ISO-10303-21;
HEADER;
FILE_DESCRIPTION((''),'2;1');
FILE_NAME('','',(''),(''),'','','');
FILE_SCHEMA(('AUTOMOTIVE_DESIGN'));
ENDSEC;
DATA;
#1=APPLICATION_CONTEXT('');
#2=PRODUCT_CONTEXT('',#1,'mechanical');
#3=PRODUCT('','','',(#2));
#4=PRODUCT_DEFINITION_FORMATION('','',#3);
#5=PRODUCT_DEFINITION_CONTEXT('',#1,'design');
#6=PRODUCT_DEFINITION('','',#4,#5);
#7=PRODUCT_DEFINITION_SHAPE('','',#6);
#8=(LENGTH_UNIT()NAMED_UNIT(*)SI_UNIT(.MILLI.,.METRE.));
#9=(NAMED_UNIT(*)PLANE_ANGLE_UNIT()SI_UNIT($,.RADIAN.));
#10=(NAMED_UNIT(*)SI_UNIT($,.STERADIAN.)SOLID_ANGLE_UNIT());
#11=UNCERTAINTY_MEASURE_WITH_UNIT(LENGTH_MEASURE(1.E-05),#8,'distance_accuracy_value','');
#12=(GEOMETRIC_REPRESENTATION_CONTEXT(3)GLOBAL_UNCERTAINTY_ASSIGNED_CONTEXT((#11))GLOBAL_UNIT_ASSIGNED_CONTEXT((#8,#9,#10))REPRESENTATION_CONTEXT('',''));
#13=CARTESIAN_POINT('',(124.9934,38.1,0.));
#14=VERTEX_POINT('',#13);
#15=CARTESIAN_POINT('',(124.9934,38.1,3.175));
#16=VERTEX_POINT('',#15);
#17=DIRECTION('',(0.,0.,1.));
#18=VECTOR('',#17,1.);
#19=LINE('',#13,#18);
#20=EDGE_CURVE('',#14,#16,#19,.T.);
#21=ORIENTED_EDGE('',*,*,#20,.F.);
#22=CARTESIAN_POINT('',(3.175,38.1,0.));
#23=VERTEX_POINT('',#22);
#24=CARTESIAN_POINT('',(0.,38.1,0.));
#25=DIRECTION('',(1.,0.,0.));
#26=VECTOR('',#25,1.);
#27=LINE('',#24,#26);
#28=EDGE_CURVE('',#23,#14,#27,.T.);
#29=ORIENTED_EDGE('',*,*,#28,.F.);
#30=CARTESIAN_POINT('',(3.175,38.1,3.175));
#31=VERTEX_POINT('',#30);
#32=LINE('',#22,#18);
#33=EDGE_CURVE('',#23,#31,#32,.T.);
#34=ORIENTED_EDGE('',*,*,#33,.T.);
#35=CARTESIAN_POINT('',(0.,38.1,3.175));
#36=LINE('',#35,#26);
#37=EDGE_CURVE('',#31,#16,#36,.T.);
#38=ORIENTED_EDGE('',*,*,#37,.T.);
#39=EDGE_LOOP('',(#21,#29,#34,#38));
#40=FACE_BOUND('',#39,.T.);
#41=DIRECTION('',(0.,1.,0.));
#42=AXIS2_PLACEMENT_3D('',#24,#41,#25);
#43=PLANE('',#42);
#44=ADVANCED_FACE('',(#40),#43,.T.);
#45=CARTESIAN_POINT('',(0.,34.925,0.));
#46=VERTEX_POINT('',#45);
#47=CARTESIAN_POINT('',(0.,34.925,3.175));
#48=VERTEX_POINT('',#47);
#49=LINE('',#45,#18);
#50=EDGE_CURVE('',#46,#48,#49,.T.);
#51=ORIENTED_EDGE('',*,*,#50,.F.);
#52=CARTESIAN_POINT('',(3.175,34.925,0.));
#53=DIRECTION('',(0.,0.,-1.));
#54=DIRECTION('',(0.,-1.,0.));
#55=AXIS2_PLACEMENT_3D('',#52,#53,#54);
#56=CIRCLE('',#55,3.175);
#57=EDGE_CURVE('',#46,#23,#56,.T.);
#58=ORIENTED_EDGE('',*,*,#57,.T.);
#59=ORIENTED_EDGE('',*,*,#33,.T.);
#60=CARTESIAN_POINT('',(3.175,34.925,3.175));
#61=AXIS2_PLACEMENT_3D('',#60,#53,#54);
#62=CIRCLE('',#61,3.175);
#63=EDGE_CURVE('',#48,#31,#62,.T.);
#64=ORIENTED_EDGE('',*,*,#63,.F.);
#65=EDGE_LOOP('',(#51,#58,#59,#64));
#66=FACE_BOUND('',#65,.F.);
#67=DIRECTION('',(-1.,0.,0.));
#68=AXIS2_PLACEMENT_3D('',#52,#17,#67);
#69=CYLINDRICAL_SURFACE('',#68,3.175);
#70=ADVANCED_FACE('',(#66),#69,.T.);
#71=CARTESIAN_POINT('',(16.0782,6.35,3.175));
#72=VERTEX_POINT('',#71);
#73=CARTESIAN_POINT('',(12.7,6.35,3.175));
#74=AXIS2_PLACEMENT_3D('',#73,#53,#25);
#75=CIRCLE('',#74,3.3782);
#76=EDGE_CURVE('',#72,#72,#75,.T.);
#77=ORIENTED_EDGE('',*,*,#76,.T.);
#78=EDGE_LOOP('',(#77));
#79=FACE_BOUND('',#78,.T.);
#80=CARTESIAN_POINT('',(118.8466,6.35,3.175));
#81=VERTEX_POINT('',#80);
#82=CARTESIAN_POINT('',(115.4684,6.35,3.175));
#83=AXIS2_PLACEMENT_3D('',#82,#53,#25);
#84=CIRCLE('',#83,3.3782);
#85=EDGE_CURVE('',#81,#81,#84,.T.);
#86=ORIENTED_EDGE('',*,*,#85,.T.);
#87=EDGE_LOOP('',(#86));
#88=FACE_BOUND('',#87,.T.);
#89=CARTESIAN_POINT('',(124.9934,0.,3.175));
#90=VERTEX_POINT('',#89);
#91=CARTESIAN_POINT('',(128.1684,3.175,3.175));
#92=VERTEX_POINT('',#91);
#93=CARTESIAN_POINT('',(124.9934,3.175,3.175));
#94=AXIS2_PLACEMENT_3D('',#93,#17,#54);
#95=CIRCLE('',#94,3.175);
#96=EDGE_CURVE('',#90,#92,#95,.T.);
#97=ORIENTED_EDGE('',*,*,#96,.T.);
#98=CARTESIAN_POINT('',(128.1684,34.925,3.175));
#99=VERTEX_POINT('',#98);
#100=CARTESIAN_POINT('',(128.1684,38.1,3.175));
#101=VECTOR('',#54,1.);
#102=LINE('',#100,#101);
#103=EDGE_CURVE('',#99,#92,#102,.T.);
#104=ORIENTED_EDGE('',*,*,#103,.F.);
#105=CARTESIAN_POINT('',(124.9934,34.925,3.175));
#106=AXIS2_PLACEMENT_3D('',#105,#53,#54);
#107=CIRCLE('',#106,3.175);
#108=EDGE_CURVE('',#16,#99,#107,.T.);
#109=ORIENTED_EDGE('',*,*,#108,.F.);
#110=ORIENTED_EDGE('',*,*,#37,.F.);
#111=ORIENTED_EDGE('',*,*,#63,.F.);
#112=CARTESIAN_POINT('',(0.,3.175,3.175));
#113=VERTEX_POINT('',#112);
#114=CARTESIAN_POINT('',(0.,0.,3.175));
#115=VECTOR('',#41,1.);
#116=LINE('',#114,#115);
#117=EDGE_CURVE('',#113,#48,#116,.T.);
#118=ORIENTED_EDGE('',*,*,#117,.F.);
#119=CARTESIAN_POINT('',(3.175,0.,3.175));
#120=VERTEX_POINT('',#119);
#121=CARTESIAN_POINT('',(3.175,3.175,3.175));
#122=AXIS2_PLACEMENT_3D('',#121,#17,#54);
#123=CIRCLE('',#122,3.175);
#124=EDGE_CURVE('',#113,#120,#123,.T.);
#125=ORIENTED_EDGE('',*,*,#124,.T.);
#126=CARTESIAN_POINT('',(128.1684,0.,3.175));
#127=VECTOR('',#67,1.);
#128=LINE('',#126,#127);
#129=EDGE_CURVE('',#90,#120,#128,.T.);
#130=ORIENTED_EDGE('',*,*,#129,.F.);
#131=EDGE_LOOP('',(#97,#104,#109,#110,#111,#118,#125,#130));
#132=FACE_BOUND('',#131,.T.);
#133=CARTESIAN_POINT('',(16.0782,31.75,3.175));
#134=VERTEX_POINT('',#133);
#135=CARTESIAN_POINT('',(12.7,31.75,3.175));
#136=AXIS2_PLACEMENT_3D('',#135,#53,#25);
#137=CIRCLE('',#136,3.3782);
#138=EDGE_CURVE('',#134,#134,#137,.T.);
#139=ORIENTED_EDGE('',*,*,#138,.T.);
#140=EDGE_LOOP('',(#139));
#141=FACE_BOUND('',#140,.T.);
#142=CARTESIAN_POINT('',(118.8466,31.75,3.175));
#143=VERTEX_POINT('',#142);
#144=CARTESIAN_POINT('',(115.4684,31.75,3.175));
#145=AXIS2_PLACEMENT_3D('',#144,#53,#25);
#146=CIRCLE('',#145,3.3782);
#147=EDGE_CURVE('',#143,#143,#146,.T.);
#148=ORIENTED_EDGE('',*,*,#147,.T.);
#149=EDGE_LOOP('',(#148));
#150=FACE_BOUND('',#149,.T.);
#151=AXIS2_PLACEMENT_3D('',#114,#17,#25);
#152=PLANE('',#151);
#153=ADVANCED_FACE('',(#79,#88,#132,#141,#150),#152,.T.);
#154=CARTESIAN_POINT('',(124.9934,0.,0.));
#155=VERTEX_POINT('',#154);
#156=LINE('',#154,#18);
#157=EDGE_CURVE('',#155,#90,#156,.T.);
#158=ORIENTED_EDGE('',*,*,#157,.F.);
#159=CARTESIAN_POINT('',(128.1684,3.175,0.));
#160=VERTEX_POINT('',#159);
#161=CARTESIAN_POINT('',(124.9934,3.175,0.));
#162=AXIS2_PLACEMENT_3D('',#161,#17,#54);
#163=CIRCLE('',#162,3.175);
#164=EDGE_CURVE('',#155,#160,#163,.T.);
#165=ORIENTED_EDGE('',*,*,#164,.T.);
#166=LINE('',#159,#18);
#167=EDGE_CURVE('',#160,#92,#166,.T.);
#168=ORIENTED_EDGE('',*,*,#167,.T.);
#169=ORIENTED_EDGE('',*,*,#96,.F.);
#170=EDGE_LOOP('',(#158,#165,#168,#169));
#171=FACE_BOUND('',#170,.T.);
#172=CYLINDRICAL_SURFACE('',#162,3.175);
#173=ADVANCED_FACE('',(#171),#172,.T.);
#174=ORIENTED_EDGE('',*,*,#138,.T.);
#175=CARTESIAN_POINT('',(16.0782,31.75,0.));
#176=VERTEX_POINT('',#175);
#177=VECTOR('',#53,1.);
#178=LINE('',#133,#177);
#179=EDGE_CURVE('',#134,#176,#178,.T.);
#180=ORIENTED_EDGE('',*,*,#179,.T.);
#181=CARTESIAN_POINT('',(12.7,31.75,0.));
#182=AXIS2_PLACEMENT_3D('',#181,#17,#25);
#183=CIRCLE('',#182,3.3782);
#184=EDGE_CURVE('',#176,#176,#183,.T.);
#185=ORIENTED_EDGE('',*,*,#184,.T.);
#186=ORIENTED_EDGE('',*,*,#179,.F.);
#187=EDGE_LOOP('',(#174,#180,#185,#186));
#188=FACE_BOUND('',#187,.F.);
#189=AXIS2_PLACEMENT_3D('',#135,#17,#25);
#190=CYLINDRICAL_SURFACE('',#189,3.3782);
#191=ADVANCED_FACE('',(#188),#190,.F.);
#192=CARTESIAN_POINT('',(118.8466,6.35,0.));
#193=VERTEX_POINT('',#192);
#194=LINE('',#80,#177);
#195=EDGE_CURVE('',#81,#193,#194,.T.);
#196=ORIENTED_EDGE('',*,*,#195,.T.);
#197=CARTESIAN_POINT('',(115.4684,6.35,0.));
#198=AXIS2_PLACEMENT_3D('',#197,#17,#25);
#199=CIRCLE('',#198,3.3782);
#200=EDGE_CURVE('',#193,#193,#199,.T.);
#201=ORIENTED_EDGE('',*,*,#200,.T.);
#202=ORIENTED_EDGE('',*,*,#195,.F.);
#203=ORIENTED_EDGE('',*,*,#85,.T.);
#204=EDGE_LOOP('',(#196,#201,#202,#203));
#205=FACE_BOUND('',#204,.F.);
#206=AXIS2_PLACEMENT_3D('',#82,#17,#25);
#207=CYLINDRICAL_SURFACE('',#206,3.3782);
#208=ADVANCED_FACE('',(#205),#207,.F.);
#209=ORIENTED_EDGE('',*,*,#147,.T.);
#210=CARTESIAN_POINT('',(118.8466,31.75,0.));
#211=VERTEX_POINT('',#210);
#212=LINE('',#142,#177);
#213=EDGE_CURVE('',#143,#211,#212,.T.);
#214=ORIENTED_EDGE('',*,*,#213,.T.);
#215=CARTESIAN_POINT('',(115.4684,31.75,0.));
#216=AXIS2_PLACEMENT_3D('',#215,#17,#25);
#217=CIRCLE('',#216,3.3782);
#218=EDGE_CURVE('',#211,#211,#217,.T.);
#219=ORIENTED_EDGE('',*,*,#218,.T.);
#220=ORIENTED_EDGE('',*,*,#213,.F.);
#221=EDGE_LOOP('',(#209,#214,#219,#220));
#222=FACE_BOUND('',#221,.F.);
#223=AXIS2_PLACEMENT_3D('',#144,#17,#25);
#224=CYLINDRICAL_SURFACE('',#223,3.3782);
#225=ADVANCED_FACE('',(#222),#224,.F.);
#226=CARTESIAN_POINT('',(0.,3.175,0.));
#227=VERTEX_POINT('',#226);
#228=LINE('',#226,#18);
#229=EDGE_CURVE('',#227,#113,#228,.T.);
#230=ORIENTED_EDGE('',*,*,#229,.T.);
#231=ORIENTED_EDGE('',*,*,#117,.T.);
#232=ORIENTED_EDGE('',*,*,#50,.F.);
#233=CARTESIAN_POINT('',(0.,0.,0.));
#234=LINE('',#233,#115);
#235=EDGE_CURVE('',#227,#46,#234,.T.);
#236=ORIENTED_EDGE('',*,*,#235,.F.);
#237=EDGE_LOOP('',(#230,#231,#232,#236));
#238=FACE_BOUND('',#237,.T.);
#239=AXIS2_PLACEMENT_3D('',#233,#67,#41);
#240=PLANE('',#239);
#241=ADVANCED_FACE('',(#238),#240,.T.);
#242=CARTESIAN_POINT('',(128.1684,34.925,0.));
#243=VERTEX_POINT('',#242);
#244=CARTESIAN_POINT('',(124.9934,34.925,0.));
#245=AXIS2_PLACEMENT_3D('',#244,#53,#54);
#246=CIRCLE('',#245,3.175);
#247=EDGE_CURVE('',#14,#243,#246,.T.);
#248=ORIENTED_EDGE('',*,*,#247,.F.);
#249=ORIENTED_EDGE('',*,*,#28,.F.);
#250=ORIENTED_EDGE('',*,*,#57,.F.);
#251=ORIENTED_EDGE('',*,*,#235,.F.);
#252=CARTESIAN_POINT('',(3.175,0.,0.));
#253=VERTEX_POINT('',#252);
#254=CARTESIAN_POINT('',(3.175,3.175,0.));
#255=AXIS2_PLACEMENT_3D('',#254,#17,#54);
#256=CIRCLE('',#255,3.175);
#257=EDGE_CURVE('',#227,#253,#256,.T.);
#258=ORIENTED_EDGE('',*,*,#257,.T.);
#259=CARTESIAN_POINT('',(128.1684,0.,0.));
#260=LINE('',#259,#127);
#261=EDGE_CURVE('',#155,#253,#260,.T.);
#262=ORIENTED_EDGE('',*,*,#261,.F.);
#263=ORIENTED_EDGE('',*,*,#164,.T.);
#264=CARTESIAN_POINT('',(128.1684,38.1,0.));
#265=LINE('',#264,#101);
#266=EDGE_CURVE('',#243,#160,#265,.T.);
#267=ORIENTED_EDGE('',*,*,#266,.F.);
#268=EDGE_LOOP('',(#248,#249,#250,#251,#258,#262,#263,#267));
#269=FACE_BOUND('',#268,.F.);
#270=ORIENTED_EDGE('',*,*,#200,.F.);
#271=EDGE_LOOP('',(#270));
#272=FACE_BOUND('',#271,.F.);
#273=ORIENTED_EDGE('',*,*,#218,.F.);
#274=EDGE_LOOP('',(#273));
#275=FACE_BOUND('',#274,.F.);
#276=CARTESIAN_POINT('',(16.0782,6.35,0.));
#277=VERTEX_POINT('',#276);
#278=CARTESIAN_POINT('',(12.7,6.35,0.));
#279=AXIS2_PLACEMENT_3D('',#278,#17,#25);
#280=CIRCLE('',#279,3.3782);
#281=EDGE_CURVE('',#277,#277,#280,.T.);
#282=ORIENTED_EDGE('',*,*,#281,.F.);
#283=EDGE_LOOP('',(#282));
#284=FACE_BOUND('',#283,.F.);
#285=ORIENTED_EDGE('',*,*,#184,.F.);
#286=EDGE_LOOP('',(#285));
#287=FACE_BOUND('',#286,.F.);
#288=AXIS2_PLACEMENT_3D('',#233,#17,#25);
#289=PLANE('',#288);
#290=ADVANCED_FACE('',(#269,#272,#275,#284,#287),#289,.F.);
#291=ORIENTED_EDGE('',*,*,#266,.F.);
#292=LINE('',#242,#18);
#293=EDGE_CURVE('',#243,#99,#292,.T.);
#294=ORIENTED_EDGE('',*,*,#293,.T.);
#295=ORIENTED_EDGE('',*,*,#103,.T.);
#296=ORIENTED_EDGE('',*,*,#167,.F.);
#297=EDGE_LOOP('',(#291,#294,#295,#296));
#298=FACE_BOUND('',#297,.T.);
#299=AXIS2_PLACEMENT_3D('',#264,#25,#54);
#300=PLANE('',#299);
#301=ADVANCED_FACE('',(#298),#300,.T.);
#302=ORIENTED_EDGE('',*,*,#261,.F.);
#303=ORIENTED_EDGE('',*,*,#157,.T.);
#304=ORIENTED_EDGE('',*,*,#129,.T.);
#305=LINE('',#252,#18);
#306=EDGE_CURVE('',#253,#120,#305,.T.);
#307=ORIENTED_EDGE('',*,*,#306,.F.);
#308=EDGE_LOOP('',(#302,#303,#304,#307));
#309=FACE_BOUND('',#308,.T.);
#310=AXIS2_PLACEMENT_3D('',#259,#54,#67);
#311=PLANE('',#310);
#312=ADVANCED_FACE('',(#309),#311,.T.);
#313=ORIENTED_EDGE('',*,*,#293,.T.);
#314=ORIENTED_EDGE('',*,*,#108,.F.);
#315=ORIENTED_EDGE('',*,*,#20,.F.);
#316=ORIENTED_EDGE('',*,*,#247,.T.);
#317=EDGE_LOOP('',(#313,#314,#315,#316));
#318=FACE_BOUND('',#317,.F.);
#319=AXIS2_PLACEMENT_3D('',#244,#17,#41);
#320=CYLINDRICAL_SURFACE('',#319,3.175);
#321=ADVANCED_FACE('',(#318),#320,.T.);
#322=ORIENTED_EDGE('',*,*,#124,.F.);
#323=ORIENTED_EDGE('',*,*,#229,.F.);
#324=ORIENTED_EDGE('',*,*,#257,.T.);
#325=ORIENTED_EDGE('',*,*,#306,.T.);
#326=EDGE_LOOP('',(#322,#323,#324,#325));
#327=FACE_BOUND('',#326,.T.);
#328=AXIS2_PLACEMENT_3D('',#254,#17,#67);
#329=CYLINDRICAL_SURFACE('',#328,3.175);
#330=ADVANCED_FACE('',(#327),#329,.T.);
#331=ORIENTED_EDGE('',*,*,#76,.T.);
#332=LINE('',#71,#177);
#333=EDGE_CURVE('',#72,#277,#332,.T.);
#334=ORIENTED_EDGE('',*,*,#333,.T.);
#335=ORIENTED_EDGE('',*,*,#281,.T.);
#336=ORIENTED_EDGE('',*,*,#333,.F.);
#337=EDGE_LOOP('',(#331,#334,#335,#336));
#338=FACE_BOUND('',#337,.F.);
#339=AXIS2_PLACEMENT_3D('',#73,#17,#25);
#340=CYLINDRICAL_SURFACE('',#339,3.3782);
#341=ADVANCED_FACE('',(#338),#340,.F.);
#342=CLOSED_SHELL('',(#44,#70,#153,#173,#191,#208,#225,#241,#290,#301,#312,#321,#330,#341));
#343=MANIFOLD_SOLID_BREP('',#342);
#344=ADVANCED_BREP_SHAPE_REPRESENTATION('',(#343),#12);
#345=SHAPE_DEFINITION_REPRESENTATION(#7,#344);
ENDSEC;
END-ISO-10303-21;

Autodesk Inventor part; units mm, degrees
ref_plane "YZ Plane" through (0, 0, 0) normal (1, 0, 0) x (0, 1, 0)
ref_plane "XZ Plane" through (0, 0, 0) normal (0, 1, 0) x (-1, 0, 0)
ref_plane "XY Plane" through (0, 0, 0) normal (0, 0, 1) x (1, 0, 0)
sketch "Sketch1" plane through (0, 0, 0) normal (0, 0, 1) x (1, 0, 0)
  line L0 (0, 0) -> (0, 38.1)
  line L1 (0, 38.1) -> (128.1684, 38.1)
  line L2 (128.1684, 38.1) -> (128.1684, 0)
  line L3 (128.1684, 0) -> (0, 0)
  dimension "d0" = 38.1
  dimension "d1" = 128.1684
extrude "Extrusion1" add sketch "Sketch1" along normal blind 3.175
sketch "Sketch2" plane through (0, 0, 3.175) normal (0, 0, 1) x (1, 0, 0)
  line L0 (128.1684, 38.1) -> (0, 38.1) projected
  line L1 (0, 38.1) -> (12.7, 38.1)
  line L2 (12.7, 38.1) -> (12.7, 31.75)
  line L3 (12.7, 31.75) -> (12.7, 6.35)
  circle A0 centre (12.7, 31.75) radius 3.3782
  circle A1 centre (12.7, 6.35) radius 3.3782
  line L4 (128.1684, 38.1) -> (115.4684, 38.1)
  line L5 (115.4684, 38.1) -> (115.4684, 31.75)
  circle A2 centre (115.4684, 31.75) radius 3.3782
  circle A3 centre (115.4684, 6.35) radius 3.3782
  line L6 (115.4684, 6.35) -> (115.4684, 31.75)
  dimension "d4" = 12.7
  dimension "d5" = 6.35
  dimension "d6" = 25.4
  dimension "d7" = 6.7564
  dimension "d8" = 6.7564
  dimension "d9" = 12.7
  dimension "d10" = 6.35
  dimension "d11" = 6.7564
  dimension "d12" = 6.7564
  dimension "d13" = 25.4
extrude "Extrusion2" cut sketch "Sketch2" against normal blind 3.175
fillet "Fillet1" radius 3.175 4 edges at (128.1684, 38.1, 1.5875) (128.1684, 0, 1.5875) (0, 38.1, 1.5875) (0, 0, 1.5875)
sketch "Sketch3" plane through (0, 0, 3.175) normal (0, 0, 1) x (1, 0, 0)
  arc A0 (0, 3.175) -> (3.175, 0) centre (3.175, 3.175) ccw projected
  line L0 (3.175, 0) -> (124.9934, 0) projected
  arc A1 (124.9934, 0) -> (128.1684, 3.175) centre (124.9934, 3.175) ccw projected
  line L1 (128.1684, 3.175) -> (128.1684, 34.925) projected
  arc A2 (128.1684, 34.925) -> (124.9934, 38.1) centre (124.9934, 34.925) ccw projected
  line L2 (124.9934, 38.1) -> (3.175, 38.1) projected
  arc A3 (3.175, 38.1) -> (0, 34.925) centre (3.175, 34.925) ccw projected
  line L3 (0, 34.925) -> (0, 3.175) projected
  circle A4 centre (115.4684, 31.75) radius 3.3782 projected
  circle A5 centre (12.7, 31.75) radius 3.3782 projected
  circle A6 centre (12.7, 6.35) radius 3.3782 projected
  circle A7 centre (115.4684, 6.35) radius 3.3782 projected
  line L4 (128.1684, 38.1) -> (102.7684, 38.1)
  line L5 (102.7684, 38.1) -> (102.7684, 0)
  point P0 (0, 0)
  dimension "d17" = 25.4
properties part number "anti - chain tension" material "Aluminum 6061"
